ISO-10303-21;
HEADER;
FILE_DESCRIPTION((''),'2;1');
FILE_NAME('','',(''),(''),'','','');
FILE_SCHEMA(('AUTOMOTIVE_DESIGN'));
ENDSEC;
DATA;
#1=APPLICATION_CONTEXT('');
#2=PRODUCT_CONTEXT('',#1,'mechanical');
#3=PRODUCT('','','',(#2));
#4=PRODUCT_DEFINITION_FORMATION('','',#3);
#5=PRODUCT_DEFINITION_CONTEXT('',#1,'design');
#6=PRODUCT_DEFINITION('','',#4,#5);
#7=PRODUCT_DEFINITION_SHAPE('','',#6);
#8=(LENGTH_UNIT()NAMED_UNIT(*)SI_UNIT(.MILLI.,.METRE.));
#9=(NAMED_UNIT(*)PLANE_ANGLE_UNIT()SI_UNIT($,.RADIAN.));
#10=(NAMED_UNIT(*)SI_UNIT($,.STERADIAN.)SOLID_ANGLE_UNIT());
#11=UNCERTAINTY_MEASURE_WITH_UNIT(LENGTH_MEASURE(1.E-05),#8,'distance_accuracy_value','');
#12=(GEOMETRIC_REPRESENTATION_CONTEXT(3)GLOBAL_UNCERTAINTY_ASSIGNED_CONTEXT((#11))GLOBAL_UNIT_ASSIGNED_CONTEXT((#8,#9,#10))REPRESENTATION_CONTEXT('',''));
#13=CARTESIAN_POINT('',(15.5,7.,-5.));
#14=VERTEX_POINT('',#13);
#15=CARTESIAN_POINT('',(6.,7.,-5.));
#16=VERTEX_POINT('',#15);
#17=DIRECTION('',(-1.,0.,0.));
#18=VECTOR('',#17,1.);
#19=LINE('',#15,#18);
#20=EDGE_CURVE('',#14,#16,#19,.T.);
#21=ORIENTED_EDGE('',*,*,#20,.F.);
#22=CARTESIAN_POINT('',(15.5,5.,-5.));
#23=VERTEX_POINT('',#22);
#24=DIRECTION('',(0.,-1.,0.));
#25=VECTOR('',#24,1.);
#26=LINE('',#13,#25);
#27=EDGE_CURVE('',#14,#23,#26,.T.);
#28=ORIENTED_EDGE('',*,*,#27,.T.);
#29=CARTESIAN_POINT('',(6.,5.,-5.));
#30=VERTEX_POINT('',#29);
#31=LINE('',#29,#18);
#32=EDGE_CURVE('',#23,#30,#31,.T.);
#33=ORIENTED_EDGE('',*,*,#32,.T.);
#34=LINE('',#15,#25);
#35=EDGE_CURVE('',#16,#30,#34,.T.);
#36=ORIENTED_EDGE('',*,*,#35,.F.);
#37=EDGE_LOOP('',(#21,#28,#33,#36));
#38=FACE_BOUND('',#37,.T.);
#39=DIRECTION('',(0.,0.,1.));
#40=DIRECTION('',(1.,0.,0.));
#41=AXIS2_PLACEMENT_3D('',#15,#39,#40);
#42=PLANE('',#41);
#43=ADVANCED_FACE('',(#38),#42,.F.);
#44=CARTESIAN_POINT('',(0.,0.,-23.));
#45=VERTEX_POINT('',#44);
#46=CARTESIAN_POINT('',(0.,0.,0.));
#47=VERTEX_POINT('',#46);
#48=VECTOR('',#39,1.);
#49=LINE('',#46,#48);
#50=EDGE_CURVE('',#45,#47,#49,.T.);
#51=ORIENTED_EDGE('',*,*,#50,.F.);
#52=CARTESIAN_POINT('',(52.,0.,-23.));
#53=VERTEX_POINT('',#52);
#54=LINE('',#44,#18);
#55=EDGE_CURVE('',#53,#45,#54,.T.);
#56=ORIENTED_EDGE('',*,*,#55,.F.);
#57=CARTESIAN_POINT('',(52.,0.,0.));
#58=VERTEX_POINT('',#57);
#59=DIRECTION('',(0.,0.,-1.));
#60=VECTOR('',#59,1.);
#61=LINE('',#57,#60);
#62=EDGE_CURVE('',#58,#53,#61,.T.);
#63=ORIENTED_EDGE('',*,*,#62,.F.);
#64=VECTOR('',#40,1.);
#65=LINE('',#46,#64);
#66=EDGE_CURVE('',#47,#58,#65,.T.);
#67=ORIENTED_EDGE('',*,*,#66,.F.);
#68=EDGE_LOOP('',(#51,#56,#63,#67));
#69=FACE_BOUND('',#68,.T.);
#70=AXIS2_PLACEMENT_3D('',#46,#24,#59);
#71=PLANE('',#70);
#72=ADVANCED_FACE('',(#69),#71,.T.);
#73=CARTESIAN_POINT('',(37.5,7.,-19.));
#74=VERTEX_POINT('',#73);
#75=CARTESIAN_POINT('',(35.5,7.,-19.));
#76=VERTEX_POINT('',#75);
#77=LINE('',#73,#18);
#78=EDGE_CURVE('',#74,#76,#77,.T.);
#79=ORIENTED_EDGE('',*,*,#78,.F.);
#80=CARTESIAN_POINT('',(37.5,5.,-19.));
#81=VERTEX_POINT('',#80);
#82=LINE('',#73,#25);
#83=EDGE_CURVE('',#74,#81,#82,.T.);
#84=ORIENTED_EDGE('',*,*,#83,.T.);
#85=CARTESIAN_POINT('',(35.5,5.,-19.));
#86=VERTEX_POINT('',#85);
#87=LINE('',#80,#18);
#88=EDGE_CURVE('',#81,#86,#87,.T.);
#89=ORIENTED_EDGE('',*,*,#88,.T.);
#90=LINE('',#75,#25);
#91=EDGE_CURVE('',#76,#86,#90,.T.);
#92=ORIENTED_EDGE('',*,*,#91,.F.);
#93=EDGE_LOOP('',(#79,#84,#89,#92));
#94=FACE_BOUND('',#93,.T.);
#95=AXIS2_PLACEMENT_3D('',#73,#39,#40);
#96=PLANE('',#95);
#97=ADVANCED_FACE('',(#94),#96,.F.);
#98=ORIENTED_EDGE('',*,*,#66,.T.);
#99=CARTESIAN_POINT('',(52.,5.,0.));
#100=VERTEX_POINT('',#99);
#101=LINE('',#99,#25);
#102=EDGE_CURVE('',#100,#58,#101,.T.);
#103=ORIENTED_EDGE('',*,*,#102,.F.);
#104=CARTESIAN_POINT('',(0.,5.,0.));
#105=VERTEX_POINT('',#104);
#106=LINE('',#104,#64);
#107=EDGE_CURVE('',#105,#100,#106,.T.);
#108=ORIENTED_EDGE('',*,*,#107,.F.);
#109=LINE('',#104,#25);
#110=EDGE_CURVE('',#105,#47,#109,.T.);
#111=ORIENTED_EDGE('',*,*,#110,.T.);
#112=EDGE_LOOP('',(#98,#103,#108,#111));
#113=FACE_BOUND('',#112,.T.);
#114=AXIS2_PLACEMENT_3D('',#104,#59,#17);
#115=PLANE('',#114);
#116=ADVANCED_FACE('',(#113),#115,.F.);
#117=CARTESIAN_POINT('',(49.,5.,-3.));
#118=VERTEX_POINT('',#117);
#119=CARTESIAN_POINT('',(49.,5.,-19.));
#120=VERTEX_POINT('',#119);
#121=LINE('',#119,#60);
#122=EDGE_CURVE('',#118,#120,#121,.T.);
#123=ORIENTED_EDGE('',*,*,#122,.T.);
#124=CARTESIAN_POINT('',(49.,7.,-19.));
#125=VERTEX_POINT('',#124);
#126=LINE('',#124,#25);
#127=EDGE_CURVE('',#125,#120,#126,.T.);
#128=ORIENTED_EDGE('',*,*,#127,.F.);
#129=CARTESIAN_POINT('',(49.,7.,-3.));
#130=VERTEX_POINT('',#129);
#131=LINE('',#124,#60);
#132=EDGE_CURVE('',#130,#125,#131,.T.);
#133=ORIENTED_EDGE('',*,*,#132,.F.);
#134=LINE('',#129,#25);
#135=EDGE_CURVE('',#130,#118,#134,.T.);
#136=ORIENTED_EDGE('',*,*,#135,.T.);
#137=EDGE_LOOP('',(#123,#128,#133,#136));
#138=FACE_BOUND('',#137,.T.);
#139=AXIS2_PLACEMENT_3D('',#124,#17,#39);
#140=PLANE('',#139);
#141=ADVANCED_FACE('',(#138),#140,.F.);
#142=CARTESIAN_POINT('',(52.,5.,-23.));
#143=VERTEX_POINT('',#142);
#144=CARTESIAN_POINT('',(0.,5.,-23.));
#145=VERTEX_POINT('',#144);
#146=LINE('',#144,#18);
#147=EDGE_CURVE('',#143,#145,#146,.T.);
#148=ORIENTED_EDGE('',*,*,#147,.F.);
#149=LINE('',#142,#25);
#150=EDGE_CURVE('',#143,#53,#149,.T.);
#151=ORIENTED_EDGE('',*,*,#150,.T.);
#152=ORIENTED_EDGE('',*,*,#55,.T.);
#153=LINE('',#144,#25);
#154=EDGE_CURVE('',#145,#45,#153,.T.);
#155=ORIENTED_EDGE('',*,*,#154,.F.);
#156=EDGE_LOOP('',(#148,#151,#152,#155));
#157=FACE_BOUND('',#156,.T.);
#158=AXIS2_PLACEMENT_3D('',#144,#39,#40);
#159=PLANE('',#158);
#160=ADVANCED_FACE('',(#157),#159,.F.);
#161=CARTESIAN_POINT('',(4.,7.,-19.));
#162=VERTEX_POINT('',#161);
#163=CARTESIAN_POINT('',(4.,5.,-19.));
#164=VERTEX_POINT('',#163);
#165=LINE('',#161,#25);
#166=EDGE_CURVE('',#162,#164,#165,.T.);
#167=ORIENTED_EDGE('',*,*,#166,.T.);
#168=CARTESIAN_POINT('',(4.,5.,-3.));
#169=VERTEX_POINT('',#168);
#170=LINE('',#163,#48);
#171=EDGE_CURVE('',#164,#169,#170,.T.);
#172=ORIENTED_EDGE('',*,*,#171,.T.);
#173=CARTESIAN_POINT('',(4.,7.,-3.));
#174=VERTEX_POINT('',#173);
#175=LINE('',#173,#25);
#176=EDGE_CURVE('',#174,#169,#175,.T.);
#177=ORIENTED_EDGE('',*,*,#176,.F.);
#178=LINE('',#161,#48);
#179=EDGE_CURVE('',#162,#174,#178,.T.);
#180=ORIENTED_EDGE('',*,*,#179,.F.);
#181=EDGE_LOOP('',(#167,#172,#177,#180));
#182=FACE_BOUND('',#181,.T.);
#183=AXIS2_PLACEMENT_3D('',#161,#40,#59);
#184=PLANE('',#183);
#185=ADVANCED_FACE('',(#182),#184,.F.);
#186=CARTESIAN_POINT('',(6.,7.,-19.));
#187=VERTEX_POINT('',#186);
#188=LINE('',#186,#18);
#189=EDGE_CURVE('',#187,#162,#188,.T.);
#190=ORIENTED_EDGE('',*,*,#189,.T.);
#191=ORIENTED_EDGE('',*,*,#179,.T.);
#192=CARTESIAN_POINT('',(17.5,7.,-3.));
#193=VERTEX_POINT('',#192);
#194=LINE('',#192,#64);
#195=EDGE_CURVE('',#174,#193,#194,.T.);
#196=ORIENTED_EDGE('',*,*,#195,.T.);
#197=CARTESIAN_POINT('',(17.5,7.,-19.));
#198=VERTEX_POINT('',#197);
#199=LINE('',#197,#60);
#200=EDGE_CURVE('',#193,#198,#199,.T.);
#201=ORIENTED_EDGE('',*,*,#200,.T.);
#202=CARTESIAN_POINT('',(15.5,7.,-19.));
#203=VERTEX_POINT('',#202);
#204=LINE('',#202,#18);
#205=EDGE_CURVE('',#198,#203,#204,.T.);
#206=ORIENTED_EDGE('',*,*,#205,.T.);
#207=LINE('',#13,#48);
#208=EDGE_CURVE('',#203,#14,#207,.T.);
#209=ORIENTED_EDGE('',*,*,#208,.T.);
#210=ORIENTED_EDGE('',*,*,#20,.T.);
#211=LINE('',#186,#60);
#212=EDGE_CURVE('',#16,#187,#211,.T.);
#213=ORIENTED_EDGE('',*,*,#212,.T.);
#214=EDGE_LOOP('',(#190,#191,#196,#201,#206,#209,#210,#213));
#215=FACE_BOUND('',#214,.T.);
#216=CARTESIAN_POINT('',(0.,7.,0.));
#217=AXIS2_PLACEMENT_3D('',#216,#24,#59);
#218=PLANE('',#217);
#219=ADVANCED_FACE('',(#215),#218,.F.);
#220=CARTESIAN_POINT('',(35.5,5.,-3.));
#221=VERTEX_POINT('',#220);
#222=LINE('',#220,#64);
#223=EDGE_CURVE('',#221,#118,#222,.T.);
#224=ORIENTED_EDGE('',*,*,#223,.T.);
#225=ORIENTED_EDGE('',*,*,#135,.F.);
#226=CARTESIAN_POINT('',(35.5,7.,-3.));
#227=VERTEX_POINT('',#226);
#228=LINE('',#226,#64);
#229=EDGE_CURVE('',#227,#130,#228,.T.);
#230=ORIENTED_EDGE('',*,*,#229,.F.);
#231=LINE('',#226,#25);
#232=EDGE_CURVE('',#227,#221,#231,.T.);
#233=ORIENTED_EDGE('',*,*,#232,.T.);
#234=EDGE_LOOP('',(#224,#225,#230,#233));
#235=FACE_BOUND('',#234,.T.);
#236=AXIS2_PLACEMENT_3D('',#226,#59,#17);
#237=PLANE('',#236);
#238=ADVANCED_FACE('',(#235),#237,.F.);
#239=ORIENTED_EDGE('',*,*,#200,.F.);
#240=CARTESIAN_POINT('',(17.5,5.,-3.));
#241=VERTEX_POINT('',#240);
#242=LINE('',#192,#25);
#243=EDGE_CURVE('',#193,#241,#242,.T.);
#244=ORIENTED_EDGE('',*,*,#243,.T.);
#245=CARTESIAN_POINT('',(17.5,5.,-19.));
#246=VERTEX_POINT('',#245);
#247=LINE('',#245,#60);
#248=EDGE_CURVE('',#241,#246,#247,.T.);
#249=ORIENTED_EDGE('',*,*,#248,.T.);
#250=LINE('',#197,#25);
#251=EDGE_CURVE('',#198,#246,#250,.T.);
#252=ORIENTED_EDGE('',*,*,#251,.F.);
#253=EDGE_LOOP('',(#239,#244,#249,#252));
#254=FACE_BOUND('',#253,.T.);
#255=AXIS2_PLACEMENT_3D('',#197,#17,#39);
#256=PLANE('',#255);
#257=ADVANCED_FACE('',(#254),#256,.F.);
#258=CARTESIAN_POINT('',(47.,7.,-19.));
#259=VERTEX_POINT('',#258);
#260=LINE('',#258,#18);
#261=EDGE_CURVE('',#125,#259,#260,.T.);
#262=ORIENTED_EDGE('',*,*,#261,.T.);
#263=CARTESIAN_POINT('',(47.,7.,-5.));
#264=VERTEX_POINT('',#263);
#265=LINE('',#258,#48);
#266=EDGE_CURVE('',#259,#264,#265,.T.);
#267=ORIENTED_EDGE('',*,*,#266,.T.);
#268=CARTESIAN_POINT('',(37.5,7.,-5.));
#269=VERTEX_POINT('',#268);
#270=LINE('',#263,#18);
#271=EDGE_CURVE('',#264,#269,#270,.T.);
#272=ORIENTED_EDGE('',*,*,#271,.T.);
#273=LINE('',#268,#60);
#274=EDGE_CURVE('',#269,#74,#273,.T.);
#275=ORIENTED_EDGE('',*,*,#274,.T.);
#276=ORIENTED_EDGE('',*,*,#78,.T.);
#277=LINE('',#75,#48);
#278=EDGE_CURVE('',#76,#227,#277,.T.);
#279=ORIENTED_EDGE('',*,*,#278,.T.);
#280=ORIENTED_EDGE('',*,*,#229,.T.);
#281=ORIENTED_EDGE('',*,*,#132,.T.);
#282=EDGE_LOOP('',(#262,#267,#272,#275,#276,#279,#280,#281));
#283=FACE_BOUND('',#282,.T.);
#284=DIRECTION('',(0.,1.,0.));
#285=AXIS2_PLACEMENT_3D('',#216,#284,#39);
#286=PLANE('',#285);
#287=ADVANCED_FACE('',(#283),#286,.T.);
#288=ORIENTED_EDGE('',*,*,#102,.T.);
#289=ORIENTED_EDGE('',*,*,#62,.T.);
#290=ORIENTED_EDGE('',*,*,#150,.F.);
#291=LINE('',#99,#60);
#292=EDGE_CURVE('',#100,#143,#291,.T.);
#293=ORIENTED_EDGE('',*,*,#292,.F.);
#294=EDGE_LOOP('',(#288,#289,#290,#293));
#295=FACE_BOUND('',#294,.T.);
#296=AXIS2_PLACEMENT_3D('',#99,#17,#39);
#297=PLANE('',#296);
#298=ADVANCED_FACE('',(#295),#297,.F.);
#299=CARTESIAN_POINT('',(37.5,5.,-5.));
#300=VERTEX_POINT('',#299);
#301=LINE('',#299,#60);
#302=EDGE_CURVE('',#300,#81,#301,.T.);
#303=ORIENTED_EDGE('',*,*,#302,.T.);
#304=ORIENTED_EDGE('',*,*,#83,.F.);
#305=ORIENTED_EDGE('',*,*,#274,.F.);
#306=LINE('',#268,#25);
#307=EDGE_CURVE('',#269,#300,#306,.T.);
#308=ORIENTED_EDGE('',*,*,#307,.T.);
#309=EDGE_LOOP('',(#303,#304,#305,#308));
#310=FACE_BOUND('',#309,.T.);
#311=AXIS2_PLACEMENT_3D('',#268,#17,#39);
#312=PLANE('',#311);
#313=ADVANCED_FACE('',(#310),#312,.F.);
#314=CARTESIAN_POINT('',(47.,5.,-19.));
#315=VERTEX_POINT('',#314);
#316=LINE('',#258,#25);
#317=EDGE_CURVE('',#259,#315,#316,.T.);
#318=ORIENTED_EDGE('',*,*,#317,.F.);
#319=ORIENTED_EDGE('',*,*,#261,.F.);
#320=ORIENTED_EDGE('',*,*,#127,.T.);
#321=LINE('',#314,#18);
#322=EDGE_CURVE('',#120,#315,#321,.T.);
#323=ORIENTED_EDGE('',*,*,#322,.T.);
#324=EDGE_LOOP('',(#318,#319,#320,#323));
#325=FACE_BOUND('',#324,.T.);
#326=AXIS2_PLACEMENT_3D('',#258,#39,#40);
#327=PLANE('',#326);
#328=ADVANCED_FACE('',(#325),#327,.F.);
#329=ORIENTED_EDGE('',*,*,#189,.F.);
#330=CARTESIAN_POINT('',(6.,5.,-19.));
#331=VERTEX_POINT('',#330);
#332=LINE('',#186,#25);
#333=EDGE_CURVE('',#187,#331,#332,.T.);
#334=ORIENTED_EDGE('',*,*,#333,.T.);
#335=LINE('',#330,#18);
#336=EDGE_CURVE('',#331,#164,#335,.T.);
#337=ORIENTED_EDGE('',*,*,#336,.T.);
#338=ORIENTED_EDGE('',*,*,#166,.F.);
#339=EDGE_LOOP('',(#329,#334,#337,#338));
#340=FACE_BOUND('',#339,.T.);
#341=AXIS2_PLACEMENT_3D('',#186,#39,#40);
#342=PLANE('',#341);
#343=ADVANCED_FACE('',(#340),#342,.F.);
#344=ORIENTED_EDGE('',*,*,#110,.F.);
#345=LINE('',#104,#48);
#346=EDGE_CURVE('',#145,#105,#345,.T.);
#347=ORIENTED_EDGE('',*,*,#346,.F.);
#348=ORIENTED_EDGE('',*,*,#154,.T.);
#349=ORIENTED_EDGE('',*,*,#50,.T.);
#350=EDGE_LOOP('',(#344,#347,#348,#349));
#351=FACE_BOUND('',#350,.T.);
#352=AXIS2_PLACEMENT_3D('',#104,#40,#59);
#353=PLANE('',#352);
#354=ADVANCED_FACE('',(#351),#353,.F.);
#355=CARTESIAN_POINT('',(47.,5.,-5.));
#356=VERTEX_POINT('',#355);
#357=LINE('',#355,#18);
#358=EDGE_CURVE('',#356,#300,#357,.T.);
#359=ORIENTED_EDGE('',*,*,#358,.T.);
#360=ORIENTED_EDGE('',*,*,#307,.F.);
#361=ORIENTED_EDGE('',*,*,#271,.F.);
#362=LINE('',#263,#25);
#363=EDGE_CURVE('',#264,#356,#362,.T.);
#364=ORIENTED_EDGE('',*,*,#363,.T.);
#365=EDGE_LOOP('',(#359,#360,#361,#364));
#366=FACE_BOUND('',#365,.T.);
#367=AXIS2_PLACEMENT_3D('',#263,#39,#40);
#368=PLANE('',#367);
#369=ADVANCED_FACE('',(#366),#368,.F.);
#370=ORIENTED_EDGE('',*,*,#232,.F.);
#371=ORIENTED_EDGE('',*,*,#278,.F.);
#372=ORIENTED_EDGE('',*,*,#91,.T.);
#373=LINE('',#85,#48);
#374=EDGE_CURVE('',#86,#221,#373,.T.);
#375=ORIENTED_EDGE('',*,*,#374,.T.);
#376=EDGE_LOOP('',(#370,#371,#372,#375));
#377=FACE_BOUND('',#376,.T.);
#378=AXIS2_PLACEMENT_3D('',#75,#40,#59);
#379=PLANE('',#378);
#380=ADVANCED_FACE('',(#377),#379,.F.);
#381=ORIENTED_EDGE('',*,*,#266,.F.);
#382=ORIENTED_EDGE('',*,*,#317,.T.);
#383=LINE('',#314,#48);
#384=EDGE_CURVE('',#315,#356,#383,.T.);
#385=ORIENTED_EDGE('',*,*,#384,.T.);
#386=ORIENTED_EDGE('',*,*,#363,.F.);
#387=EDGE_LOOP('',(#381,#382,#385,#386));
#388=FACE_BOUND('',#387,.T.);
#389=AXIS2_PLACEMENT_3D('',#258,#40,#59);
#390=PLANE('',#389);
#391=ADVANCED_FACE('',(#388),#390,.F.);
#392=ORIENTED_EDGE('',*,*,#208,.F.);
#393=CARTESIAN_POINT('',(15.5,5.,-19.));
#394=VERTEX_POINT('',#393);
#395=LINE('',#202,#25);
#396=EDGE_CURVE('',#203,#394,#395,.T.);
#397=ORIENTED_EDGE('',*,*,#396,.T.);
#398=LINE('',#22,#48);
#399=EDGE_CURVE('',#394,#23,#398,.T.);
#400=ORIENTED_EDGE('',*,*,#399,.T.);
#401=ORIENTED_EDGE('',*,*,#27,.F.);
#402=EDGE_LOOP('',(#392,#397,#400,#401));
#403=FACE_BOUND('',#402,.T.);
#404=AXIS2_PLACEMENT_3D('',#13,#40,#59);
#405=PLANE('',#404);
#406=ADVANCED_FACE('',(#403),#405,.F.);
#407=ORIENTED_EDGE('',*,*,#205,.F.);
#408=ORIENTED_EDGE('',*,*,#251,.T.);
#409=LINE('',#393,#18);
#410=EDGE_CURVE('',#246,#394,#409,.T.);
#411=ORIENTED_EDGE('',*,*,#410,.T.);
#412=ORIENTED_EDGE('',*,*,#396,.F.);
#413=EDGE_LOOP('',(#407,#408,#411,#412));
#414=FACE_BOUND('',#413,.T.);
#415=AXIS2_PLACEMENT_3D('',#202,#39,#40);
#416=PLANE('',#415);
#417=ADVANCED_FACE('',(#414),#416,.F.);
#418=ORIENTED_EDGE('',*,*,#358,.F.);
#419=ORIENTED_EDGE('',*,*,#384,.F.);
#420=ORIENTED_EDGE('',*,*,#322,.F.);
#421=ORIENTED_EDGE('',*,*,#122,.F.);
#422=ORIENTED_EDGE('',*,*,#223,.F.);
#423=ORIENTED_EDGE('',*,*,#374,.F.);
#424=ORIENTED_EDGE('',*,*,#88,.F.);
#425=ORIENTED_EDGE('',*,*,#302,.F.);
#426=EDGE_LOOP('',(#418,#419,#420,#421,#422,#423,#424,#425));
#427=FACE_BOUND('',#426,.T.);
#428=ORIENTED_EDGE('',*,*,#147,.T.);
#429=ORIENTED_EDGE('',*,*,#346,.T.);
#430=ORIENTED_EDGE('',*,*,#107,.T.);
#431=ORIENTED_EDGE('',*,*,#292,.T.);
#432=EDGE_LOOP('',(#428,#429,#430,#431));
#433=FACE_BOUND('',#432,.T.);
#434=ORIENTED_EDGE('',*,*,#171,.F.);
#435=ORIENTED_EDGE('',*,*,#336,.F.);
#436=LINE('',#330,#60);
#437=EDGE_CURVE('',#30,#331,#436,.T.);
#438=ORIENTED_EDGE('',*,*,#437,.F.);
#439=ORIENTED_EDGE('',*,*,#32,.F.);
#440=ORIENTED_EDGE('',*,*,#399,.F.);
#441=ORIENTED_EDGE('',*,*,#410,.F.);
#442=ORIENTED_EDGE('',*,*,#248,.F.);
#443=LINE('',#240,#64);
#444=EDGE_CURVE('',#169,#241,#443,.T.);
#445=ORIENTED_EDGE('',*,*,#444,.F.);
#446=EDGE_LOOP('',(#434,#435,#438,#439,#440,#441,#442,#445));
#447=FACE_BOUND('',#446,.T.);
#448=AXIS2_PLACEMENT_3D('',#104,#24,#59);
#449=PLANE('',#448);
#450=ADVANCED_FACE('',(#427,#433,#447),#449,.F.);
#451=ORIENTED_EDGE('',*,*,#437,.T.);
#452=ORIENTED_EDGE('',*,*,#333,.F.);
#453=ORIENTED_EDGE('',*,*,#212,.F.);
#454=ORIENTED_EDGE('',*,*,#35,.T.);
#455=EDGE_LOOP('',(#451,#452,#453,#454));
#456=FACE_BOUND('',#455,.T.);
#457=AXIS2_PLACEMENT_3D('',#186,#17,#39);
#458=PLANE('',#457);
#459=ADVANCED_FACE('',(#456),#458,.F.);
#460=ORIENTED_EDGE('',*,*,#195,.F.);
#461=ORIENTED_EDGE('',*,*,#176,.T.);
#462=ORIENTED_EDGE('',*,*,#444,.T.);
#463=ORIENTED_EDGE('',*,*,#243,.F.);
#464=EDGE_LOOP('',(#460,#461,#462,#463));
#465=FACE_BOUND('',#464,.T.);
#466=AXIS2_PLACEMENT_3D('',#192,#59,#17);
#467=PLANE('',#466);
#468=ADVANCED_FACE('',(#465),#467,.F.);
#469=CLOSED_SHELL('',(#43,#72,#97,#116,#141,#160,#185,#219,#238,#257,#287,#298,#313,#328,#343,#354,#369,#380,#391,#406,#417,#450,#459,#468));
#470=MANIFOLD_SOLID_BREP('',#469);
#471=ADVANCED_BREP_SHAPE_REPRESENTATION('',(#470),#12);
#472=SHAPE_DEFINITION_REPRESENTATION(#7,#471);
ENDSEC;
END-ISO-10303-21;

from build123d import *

# Parameters (mm, degrees)
SKETCH1_W           = 52
SKETCH1_H           = 23
BOSS_EXTRUDE1_DEPTH = 5
BOSS_EXTRUDE2_DEPTH = 2


with BuildPart() as part:
    # Sketch1 → Boss-Extrude1 (new body)
    with BuildSketch(Plane(origin=(0, 0, 0), x_dir=(1, 0, 0), z_dir=(0, 1, 0))):
        with Locations((26, 11.5)):
            Rectangle(SKETCH1_W, SKETCH1_H)
    extrude(amount=BOSS_EXTRUDE1_DEPTH)

    # Sketch2 → Boss-Extrude2 (add)
    with BuildSketch(Plane(origin=(0, 5, 0), x_dir=(1, 0, 0), z_dir=(0, 1, 0))):
        Polygon((47, 5), (37.5, 5), (37.5, 19), (35.5, 19), (35.5, 3), (49, 3), (49, 19), (47, 19), align=None)
        Polygon((4, 19), (4, 3), (17.5, 3), (17.5, 19), (15.5, 19), (15.5, 5), (6, 5), (6, 19), align=None)
    extrude(amount=BOSS_EXTRUDE2_DEPTH)


solid = part.part
